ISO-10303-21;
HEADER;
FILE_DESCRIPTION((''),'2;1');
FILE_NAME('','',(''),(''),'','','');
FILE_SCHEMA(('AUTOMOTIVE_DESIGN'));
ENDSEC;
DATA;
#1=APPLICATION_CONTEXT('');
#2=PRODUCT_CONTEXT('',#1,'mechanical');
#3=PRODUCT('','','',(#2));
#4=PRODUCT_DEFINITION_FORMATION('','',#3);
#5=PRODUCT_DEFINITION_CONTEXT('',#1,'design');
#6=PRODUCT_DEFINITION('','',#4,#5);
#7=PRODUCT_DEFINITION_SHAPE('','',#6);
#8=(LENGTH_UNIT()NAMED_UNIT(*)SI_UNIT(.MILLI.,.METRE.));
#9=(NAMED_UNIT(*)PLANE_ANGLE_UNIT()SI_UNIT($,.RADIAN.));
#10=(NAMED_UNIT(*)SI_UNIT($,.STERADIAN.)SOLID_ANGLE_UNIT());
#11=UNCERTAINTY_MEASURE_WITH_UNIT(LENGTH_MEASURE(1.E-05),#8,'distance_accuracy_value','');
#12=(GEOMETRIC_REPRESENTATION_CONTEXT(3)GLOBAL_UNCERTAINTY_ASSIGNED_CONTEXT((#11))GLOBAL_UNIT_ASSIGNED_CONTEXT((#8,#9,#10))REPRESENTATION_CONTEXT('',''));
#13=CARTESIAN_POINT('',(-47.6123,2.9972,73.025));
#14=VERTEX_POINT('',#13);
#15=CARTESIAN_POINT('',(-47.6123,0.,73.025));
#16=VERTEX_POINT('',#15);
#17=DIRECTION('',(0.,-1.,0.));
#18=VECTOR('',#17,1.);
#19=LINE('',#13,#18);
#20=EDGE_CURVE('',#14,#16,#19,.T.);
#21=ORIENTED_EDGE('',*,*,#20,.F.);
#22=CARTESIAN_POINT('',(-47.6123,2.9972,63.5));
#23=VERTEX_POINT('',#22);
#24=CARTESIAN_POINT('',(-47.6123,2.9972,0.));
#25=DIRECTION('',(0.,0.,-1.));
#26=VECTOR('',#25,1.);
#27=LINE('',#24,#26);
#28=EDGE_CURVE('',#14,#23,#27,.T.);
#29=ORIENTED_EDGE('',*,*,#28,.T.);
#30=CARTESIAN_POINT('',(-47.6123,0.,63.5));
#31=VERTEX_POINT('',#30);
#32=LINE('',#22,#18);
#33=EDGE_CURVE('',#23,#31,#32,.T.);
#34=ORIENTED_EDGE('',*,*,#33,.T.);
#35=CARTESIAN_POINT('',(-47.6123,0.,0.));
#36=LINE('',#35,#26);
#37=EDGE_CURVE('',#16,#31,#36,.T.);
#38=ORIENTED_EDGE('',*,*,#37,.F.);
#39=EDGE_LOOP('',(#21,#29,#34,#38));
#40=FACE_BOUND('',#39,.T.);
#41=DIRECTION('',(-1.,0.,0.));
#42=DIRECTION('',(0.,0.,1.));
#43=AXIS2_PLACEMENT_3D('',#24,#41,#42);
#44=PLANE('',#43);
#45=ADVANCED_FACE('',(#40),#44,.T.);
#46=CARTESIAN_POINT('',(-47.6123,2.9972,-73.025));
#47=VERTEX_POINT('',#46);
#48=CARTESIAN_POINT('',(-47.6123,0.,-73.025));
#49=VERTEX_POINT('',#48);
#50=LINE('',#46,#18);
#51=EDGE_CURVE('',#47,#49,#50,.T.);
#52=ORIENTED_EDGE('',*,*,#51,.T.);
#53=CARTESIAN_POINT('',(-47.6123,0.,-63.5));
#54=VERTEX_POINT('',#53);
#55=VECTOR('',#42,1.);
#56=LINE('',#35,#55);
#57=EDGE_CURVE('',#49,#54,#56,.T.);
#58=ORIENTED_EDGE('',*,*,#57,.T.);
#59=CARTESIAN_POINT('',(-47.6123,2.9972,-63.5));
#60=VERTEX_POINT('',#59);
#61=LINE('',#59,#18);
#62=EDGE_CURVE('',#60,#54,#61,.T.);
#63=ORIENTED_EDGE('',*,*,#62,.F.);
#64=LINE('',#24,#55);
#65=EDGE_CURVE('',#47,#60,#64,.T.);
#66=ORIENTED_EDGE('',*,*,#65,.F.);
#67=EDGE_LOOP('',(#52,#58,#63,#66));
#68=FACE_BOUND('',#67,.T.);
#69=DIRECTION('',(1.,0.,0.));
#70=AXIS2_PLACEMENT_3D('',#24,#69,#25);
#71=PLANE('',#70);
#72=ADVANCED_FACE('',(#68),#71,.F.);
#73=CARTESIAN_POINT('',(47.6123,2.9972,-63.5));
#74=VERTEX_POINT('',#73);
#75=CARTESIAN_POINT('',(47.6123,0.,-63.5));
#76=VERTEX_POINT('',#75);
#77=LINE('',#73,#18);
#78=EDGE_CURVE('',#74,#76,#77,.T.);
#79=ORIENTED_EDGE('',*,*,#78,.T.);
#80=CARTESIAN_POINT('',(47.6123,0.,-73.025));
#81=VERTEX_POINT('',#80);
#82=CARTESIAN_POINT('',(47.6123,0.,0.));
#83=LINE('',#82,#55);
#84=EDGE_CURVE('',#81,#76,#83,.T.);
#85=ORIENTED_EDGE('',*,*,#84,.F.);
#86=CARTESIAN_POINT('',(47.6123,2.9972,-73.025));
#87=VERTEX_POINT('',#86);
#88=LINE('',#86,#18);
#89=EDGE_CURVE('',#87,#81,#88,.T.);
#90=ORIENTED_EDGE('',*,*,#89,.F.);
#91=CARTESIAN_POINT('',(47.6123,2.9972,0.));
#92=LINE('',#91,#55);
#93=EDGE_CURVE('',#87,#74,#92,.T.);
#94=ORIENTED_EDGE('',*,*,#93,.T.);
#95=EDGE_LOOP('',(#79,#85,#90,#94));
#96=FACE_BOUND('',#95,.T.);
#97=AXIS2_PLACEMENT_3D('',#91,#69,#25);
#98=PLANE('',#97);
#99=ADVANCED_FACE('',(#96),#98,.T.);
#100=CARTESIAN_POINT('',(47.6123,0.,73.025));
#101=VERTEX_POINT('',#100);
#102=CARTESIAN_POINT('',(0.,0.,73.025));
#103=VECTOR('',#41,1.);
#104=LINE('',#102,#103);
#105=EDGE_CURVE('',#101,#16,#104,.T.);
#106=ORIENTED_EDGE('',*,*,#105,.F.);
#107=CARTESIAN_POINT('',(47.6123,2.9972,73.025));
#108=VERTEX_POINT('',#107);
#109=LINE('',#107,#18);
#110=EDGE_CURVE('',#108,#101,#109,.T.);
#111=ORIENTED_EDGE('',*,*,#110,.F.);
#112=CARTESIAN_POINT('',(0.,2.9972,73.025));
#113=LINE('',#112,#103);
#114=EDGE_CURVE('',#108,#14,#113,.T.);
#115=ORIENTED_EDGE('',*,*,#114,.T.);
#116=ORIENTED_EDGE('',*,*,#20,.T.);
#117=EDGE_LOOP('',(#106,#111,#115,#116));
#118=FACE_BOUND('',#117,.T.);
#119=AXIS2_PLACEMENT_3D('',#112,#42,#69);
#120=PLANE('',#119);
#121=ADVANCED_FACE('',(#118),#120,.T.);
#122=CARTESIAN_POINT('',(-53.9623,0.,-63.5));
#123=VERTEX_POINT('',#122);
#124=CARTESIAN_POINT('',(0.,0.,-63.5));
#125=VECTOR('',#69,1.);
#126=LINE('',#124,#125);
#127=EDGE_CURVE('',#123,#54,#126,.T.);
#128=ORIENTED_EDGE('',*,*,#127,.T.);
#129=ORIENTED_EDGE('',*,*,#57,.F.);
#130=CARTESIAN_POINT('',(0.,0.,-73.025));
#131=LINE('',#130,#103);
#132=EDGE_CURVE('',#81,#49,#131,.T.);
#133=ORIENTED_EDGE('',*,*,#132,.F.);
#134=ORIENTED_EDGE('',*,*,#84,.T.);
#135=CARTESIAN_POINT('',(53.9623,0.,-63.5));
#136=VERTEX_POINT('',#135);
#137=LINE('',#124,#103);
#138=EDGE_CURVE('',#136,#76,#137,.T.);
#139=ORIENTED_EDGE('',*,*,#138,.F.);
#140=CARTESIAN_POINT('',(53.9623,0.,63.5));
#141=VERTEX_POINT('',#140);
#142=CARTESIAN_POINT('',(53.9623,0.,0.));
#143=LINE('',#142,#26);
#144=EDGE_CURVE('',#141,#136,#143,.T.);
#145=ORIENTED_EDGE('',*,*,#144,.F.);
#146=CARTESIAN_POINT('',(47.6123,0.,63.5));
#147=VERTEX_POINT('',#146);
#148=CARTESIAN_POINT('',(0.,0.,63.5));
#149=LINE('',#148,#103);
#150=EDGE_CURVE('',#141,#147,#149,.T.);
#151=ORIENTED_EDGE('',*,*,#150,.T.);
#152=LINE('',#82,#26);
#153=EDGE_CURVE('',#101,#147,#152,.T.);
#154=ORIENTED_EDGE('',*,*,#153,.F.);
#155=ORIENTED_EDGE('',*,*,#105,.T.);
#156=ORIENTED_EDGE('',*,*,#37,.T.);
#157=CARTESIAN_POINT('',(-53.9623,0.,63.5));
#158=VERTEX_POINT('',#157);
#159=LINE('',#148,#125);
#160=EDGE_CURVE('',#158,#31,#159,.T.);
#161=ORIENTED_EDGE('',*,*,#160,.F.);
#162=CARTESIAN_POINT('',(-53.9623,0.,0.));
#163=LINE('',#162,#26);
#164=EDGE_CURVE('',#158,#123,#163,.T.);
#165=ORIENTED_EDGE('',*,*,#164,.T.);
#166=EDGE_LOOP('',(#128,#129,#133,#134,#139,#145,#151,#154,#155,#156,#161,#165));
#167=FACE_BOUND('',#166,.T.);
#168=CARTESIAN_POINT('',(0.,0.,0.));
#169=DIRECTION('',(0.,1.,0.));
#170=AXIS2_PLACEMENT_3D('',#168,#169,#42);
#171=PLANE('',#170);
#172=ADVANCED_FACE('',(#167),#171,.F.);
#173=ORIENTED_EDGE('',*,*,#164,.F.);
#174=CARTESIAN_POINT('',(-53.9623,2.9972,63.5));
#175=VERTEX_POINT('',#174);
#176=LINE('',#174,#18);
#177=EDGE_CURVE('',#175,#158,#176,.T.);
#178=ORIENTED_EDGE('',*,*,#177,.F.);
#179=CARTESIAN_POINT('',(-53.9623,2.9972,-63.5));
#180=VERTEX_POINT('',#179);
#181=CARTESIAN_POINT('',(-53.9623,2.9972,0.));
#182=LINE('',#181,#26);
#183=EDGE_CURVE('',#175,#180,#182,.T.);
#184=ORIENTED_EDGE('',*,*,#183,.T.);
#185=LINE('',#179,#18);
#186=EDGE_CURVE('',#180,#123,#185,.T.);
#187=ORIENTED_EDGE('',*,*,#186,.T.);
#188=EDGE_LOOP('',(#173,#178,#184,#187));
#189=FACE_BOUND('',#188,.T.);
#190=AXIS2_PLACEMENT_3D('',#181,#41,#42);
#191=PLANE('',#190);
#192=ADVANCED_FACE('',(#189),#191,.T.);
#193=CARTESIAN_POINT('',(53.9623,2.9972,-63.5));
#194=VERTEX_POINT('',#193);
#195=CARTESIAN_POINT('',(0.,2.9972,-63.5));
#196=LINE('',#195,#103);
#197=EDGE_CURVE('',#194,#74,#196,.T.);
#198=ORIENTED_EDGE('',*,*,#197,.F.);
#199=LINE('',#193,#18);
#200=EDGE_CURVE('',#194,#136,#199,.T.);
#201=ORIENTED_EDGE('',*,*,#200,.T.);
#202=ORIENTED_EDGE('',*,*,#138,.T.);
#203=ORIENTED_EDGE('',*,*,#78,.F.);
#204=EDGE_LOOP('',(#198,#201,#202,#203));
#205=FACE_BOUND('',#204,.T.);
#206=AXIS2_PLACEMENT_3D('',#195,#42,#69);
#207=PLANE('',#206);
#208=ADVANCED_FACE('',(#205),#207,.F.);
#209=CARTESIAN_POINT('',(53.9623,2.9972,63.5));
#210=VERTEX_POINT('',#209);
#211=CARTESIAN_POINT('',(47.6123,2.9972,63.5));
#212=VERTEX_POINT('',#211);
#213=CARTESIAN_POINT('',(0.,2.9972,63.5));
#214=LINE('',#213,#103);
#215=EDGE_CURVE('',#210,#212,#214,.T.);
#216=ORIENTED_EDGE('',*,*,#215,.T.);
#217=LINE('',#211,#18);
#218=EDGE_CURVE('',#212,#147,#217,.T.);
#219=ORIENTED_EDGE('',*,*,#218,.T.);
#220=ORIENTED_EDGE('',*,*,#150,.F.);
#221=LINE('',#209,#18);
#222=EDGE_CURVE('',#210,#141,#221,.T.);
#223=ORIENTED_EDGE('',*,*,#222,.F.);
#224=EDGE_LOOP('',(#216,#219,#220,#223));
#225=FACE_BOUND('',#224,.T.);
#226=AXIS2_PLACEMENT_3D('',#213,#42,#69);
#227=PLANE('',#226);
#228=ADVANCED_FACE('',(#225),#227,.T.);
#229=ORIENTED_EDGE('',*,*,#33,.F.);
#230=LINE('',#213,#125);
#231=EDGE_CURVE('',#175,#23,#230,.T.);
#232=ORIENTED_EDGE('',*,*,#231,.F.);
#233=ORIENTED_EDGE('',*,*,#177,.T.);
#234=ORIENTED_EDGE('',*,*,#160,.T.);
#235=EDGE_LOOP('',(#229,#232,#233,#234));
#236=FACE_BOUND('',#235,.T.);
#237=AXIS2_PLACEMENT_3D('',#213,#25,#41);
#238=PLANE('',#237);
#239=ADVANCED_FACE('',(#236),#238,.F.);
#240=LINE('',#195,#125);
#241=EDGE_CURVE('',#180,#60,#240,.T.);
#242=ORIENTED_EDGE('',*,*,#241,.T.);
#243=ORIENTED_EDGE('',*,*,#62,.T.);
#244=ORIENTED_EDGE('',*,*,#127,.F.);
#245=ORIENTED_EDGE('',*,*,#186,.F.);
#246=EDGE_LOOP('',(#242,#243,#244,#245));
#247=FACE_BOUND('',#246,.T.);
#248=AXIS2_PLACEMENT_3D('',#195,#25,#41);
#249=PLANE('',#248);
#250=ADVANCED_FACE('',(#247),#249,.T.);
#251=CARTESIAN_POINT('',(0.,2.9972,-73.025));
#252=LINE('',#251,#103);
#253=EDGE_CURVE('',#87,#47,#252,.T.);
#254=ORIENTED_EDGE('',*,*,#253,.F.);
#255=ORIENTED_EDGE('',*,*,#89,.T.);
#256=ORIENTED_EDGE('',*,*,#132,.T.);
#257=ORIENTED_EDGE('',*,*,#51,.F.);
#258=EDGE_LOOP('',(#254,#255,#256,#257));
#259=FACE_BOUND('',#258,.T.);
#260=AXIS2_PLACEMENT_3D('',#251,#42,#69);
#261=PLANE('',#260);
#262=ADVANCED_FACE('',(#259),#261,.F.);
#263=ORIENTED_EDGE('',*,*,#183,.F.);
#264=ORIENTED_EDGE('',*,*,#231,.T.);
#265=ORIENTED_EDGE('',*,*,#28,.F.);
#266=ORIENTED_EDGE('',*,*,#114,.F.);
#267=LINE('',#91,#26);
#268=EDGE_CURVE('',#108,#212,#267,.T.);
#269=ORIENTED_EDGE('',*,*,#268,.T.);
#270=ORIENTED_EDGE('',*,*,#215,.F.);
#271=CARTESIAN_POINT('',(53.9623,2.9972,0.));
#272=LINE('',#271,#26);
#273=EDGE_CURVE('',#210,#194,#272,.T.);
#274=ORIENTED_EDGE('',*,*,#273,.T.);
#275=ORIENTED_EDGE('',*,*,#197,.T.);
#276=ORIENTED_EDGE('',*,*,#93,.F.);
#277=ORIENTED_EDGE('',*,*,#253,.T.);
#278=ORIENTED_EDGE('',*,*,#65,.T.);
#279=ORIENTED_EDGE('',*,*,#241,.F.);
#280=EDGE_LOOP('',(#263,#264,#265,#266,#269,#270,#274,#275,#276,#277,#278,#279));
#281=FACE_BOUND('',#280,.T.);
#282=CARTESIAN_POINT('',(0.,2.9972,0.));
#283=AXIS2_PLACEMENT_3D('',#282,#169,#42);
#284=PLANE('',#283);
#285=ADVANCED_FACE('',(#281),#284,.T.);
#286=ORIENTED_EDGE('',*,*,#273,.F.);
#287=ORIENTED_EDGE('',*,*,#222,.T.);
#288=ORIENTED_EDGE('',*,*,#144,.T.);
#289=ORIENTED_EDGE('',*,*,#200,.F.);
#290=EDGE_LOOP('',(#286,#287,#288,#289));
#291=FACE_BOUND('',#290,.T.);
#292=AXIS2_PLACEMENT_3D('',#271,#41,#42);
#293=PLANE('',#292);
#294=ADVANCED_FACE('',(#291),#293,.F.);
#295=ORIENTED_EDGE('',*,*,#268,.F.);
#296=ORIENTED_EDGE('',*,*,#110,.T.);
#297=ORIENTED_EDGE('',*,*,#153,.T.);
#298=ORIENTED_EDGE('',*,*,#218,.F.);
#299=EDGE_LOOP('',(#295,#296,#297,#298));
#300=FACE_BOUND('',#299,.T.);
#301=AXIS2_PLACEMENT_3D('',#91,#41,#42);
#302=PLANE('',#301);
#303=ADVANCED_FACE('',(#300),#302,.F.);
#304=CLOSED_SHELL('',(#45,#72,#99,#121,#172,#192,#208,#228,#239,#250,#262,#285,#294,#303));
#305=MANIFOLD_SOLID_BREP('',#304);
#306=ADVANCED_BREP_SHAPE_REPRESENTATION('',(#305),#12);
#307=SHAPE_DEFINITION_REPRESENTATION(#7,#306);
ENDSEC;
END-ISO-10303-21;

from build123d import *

# Parameters (mm, degrees)
BOSS_EXTRUDE1_DEPTH = 2.9972


with BuildPart() as part:
    # Sketch1 → Boss-Extrude1 (new body)
    with BuildSketch(Plane(origin=(0, 0, 0), x_dir=(1, 0, 0), z_dir=(0, 1, 0))):
        Polygon((-47.6123, -73.025), (47.6123, -73.025), (47.6123, -63.5), (53.9623, -63.5), (53.9623, 63.5), (47.6123, 63.5), (47.6123, 73.025), (-47.6123, 73.025), (-47.6123, 63.5), (-53.9623, 63.5), (-53.9623, -63.5), (-47.6123, -63.5), align=None)
    extrude(amount=BOSS_EXTRUDE1_DEPTH)


solid = part.part
